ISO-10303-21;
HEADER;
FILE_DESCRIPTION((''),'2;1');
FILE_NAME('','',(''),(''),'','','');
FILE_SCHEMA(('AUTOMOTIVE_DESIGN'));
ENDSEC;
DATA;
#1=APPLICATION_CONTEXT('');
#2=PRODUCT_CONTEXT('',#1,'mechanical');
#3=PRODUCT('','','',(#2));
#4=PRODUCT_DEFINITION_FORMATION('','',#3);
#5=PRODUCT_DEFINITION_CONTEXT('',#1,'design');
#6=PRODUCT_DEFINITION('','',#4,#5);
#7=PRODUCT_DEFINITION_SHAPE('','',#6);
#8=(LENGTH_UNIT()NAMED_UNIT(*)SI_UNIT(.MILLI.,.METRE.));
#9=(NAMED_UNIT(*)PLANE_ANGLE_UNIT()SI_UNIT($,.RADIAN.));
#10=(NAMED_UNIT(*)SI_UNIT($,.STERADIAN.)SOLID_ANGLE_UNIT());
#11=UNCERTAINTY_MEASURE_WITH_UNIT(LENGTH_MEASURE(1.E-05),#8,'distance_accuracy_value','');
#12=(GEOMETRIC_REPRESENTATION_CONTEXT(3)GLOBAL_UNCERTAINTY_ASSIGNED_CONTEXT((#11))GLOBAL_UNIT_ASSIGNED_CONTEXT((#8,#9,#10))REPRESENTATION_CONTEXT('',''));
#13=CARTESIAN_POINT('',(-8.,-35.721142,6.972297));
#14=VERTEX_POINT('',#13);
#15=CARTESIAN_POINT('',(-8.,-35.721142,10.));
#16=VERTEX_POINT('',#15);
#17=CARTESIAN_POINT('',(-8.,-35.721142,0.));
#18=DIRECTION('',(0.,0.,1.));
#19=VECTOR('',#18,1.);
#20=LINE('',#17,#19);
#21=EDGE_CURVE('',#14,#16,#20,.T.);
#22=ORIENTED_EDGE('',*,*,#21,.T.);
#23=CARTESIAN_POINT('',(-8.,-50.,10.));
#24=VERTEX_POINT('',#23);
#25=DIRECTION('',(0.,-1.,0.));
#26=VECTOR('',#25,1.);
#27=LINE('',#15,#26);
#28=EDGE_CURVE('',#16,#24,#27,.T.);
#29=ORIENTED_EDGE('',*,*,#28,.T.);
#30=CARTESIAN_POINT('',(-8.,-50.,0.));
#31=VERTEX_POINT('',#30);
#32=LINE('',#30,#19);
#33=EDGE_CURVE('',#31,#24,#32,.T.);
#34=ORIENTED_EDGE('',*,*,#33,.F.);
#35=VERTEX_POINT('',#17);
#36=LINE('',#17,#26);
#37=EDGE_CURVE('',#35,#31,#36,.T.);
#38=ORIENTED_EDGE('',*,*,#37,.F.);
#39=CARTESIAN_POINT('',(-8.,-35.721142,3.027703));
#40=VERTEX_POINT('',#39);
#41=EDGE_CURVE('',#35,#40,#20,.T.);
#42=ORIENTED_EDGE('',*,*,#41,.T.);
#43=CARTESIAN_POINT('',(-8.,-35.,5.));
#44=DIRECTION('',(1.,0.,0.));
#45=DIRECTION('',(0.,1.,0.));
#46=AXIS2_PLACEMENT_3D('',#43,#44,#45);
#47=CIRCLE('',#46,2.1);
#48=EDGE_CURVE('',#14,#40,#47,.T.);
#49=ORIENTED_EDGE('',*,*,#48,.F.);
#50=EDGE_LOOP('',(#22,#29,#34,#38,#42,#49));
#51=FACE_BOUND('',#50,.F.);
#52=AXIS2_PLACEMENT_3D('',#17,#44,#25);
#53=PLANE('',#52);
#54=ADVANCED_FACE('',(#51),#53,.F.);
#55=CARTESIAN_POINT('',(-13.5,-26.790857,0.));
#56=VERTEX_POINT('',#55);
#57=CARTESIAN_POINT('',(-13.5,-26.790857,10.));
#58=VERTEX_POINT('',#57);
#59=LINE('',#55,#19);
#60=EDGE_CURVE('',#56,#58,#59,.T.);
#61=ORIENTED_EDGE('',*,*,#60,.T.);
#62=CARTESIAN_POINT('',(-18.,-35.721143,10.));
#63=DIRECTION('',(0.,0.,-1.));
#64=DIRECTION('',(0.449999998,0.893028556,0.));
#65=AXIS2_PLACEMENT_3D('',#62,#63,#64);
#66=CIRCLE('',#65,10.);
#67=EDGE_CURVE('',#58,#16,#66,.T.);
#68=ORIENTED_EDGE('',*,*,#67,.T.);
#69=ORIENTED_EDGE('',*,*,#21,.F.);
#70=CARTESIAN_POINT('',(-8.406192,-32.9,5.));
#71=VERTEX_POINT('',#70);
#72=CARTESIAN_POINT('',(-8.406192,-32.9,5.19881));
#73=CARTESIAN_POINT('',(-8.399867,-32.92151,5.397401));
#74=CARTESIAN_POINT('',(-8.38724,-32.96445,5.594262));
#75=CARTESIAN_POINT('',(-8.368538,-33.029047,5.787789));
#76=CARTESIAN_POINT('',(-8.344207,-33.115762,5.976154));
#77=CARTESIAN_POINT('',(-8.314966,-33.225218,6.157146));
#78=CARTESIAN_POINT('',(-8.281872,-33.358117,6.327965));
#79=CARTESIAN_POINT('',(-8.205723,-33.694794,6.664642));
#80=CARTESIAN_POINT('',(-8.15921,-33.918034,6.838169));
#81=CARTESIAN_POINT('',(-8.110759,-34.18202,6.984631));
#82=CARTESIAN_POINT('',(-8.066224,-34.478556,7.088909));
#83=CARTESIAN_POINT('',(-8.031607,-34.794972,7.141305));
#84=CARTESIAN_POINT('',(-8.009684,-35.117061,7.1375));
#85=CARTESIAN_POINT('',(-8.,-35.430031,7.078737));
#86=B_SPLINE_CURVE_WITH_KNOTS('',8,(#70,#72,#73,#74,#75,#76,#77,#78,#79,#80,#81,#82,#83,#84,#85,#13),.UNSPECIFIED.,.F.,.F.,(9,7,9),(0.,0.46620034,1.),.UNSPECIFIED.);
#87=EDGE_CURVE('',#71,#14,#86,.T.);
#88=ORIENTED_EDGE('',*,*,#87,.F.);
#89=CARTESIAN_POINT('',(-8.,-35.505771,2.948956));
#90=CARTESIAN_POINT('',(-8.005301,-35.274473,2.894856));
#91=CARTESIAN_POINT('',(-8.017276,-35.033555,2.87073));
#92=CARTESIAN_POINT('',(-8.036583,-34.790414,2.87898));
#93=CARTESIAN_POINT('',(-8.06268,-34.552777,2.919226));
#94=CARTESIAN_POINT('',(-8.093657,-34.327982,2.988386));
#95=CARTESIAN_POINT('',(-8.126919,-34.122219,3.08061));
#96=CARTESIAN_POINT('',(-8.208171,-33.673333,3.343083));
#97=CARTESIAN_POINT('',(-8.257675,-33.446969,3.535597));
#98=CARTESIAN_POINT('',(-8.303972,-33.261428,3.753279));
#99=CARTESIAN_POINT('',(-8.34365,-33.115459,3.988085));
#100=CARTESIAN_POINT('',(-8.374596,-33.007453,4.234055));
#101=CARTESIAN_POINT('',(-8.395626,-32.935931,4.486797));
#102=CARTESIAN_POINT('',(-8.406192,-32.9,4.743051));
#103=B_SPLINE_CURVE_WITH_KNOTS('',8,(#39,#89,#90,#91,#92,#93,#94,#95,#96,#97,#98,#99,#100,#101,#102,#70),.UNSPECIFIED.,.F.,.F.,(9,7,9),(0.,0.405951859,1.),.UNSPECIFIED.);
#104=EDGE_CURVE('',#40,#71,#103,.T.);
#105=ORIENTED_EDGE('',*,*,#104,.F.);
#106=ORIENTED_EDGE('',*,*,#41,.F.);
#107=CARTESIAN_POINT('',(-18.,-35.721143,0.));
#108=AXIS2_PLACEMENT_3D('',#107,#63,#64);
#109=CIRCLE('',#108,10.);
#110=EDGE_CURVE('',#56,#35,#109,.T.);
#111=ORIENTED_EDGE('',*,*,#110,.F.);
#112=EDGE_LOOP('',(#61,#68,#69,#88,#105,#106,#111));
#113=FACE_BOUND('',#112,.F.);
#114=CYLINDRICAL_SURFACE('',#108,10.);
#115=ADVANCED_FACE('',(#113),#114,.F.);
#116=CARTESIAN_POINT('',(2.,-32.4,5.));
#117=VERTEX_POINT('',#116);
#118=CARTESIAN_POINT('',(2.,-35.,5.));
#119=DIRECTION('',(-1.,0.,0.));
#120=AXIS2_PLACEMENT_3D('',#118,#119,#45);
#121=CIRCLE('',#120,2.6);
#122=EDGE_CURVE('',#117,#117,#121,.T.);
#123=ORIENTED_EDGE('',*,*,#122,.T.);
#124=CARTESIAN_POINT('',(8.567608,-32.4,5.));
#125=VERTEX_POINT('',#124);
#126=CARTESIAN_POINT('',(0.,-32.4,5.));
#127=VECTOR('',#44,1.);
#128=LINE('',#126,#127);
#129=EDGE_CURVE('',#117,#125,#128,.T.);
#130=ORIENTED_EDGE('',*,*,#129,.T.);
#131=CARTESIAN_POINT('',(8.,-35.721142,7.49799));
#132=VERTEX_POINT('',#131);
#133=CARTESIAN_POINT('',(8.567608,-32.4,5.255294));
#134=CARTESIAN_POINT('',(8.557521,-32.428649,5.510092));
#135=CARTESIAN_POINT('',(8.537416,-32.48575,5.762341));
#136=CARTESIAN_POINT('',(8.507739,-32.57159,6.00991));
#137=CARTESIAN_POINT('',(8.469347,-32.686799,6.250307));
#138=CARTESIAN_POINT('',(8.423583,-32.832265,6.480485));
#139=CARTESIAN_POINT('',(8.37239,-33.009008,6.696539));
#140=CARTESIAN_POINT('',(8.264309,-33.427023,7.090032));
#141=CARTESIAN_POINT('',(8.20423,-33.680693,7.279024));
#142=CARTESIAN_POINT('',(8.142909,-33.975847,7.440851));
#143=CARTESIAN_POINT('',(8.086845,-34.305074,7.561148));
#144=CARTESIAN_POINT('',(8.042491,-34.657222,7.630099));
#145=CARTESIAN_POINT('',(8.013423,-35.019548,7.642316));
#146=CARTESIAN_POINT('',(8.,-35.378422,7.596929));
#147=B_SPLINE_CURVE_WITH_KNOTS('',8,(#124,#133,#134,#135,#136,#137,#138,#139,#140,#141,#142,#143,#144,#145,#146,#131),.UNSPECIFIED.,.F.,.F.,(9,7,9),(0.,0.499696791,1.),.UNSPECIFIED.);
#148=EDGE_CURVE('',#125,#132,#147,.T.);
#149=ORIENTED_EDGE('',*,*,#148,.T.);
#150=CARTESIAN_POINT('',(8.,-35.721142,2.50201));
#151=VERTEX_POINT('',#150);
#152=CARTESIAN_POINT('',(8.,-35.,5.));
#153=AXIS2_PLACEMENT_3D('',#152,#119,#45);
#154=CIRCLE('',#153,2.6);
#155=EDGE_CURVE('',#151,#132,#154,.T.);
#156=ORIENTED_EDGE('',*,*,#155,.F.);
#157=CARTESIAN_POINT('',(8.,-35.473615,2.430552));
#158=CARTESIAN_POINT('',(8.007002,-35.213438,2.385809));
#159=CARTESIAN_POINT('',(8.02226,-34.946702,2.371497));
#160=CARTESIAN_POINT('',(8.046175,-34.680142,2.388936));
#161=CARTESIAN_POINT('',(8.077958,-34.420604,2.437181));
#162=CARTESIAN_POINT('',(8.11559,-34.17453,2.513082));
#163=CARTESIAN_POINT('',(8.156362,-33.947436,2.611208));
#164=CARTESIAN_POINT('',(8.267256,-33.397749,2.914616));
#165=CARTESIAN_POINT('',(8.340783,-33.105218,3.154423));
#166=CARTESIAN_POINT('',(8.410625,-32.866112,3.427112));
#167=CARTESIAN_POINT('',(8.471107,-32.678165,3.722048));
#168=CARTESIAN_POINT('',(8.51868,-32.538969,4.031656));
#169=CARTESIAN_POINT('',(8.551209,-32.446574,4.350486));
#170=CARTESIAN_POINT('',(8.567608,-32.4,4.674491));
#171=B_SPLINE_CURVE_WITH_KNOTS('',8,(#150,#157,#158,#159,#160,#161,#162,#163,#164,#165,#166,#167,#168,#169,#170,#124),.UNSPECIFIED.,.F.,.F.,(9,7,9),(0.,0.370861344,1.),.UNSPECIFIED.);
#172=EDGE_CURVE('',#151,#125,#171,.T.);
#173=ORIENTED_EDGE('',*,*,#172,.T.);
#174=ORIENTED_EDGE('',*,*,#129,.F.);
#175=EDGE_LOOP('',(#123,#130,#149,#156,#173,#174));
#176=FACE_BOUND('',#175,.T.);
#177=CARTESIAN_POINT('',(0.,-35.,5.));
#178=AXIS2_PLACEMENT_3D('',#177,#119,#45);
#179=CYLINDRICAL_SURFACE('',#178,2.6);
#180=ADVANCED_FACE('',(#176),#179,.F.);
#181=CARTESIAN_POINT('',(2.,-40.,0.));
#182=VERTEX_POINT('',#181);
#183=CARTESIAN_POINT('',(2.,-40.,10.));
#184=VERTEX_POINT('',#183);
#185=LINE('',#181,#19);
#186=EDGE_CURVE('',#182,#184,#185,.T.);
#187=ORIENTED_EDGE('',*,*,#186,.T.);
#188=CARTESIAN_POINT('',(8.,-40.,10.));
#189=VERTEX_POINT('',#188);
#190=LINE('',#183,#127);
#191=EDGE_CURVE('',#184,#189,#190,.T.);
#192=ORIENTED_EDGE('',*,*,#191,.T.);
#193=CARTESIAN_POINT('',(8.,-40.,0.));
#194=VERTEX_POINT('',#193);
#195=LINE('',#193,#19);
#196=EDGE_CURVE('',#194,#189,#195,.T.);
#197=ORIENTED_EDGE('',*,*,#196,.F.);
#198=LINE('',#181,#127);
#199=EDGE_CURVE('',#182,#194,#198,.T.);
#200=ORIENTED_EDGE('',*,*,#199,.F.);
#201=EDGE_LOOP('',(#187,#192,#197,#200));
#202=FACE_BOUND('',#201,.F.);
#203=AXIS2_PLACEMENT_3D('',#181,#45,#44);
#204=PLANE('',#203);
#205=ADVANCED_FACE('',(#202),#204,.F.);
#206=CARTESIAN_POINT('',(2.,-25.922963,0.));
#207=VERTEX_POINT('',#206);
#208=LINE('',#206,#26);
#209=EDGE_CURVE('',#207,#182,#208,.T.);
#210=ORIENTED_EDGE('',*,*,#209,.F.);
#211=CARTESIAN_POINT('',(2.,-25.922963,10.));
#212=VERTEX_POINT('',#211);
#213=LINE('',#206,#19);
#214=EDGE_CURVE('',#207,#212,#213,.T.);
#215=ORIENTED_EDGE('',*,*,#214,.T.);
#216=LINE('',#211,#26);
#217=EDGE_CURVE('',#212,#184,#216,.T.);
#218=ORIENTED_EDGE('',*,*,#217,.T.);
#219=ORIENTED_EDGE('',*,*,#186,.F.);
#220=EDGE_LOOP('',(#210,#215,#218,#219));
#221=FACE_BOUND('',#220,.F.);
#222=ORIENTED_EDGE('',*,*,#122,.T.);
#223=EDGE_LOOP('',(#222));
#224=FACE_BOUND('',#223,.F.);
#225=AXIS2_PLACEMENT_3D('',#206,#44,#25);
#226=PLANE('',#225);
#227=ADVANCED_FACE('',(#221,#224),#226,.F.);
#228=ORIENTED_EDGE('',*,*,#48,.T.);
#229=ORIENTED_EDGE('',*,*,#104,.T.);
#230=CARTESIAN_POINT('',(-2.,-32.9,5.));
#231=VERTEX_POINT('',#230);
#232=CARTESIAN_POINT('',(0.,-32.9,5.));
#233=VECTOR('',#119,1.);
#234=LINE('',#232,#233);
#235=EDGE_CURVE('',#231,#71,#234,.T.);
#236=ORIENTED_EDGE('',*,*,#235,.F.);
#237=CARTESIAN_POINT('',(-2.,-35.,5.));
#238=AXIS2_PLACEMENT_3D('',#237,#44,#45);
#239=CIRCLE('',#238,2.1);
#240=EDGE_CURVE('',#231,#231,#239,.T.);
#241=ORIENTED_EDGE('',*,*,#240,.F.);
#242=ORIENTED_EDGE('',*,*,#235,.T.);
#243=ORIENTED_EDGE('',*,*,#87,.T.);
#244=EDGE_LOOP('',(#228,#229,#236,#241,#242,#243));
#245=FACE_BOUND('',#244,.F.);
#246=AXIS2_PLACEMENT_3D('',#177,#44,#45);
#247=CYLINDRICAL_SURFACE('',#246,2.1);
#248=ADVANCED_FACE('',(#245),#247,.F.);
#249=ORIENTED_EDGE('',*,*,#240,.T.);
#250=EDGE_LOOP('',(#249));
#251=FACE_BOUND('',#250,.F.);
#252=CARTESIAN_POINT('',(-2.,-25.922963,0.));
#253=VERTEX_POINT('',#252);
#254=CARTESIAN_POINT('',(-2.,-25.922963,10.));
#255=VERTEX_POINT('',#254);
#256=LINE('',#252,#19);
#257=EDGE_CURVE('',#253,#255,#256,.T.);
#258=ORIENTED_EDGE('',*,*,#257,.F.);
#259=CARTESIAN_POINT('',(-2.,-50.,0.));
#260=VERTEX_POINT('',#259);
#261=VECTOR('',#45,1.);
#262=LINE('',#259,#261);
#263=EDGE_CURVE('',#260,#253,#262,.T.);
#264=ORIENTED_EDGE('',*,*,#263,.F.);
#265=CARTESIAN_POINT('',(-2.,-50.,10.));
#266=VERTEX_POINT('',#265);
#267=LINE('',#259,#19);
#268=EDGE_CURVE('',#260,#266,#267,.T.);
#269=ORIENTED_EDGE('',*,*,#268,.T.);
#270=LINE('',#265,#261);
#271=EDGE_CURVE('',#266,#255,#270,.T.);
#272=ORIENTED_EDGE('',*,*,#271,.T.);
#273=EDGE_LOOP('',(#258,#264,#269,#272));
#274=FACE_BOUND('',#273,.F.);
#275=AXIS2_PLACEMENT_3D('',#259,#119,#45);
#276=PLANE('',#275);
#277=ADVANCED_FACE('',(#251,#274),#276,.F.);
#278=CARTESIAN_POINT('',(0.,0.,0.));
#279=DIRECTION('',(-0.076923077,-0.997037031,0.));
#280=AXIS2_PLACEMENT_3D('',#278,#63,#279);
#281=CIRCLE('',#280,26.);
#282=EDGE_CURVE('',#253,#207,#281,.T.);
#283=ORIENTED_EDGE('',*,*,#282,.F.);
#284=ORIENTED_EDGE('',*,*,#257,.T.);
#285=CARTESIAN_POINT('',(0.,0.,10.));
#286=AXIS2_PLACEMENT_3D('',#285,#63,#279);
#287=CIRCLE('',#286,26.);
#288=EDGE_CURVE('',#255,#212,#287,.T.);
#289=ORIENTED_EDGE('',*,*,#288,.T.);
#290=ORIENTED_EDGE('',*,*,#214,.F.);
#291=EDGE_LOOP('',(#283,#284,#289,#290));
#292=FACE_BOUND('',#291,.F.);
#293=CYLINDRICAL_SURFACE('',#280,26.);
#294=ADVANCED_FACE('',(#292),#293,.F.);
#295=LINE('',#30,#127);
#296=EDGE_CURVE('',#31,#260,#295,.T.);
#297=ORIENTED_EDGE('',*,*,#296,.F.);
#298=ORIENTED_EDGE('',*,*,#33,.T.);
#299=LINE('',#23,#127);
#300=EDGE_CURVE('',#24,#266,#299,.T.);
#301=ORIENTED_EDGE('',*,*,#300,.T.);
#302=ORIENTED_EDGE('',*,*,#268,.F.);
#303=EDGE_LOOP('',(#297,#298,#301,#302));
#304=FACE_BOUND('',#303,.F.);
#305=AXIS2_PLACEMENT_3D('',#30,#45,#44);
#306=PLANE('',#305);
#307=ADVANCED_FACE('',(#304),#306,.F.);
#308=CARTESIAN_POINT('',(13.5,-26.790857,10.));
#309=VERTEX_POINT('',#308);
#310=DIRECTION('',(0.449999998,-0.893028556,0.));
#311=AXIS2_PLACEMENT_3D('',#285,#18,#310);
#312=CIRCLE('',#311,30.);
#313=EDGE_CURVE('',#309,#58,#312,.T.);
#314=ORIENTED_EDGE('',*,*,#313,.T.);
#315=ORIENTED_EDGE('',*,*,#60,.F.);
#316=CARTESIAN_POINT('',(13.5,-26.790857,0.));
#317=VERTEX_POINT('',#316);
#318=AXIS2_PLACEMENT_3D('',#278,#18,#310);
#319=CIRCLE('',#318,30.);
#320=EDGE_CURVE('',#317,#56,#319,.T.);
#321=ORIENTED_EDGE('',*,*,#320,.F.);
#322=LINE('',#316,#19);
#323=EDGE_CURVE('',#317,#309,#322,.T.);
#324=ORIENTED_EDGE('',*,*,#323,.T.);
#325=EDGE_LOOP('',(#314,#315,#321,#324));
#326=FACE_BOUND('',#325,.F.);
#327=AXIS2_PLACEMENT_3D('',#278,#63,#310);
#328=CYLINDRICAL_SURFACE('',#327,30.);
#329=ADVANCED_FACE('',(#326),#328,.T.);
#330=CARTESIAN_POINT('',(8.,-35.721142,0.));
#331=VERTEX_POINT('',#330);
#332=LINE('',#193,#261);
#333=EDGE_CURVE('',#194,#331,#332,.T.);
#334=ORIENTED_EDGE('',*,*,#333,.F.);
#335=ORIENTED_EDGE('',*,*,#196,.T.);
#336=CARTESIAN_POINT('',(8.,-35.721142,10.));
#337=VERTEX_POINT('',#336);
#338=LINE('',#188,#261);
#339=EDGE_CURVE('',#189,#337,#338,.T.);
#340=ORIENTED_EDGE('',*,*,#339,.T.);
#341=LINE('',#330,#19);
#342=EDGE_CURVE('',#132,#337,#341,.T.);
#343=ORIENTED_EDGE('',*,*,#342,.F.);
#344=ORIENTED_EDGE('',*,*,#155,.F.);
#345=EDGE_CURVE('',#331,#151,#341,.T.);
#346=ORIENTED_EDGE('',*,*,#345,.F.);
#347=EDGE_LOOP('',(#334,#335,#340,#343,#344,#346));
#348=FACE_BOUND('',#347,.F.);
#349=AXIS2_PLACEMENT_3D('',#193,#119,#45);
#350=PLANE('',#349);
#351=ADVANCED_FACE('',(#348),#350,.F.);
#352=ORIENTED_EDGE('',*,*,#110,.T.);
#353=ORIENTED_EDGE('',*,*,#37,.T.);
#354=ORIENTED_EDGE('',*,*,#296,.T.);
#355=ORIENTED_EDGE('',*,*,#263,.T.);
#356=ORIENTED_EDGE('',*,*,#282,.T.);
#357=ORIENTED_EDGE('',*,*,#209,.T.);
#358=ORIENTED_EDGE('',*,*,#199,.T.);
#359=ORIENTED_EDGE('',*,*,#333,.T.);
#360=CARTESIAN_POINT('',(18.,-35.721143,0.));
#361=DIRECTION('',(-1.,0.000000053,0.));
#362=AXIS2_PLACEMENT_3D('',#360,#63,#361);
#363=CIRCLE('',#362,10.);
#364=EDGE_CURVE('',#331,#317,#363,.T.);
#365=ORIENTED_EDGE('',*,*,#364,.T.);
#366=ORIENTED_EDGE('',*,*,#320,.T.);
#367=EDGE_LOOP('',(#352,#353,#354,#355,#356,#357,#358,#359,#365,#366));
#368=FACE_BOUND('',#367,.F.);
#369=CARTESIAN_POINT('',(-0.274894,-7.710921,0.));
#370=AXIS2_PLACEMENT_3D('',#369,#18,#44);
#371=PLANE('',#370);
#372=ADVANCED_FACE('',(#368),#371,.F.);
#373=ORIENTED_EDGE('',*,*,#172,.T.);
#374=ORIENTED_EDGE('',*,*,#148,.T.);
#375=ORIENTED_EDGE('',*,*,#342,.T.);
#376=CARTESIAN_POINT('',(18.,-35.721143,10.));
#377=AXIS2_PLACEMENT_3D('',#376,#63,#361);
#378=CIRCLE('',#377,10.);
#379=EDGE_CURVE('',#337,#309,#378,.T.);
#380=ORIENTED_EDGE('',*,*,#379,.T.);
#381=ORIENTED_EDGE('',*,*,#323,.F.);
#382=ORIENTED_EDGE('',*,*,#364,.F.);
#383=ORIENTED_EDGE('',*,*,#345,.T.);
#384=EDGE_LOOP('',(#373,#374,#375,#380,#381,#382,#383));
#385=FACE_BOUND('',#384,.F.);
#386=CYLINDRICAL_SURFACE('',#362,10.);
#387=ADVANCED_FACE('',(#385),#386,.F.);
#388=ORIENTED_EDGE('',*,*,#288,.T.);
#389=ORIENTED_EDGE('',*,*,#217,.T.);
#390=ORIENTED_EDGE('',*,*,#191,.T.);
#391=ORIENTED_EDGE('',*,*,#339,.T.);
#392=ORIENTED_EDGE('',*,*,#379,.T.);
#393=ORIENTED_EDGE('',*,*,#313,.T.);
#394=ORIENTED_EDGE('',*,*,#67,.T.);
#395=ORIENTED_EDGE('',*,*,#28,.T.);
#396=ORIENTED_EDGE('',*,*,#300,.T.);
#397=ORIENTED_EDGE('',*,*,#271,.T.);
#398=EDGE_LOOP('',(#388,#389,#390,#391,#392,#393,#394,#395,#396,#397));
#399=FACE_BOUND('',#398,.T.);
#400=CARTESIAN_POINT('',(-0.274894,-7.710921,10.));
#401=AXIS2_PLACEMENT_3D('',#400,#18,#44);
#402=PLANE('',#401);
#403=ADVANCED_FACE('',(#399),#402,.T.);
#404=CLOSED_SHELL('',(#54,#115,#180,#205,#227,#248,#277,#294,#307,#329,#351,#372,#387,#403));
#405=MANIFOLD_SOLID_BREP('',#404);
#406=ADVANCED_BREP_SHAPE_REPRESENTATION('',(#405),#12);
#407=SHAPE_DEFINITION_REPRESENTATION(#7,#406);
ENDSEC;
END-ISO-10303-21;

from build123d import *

# Parameters (mm, degrees)
F1_DEPTH = 10
F3_DEPTH = 25
F4_R     = 2.6
F5_DEPTH = 25


with BuildPart() as f1:
    # F0 (on Top) → F1 (new body)
    with BuildSketch(Plane.XY):
        with BuildLine():
            ThreePointArc((-2, -25.922963), (0, 26), (2, -25.922963))
            Line((2, -25.922963), (2, -40))
            Line((2, -40), (8, -40))
            Line((8, -40), (8, -35.721142))
            ThreePointArc((8, -35.721142), (9.485307, -30.477098), (13.5, -26.790857))
            ThreePointArc((13.5, -26.790857), (0, 30), (-13.5, -26.790857))
            ThreePointArc((-13.5, -26.790857), (-9.485307, -30.477098), (-8, -35.721142))
            Line((-8, -35.721142), (-8, -50))
            Line((-8, -50), (-2, -50))
            Line((-2, -50), (-2, -25.922963))
        make_face()
    extrude(amount=F1_DEPTH)

    # F2 (on Right) → F3 (cut)
    with BuildSketch(Plane.YZ):
        with BuildLine():
            ThreePointArc((-37.1, 5), (-35, 2.9), (-32.9, 5))
            ThreePointArc((-32.9, 5), (-35, 7.1), (-37.1, 5))
        make_face()
    extrude(amount=-F3_DEPTH, mode=Mode.SUBTRACT)

    # F4 (on Right) → F5 (cut)
    with BuildSketch(Plane.YZ):
        with Locations((-35, 5)):
            Circle(F4_R)
    extrude(amount=F5_DEPTH, mode=Mode.SUBTRACT)


solid = f1.part
